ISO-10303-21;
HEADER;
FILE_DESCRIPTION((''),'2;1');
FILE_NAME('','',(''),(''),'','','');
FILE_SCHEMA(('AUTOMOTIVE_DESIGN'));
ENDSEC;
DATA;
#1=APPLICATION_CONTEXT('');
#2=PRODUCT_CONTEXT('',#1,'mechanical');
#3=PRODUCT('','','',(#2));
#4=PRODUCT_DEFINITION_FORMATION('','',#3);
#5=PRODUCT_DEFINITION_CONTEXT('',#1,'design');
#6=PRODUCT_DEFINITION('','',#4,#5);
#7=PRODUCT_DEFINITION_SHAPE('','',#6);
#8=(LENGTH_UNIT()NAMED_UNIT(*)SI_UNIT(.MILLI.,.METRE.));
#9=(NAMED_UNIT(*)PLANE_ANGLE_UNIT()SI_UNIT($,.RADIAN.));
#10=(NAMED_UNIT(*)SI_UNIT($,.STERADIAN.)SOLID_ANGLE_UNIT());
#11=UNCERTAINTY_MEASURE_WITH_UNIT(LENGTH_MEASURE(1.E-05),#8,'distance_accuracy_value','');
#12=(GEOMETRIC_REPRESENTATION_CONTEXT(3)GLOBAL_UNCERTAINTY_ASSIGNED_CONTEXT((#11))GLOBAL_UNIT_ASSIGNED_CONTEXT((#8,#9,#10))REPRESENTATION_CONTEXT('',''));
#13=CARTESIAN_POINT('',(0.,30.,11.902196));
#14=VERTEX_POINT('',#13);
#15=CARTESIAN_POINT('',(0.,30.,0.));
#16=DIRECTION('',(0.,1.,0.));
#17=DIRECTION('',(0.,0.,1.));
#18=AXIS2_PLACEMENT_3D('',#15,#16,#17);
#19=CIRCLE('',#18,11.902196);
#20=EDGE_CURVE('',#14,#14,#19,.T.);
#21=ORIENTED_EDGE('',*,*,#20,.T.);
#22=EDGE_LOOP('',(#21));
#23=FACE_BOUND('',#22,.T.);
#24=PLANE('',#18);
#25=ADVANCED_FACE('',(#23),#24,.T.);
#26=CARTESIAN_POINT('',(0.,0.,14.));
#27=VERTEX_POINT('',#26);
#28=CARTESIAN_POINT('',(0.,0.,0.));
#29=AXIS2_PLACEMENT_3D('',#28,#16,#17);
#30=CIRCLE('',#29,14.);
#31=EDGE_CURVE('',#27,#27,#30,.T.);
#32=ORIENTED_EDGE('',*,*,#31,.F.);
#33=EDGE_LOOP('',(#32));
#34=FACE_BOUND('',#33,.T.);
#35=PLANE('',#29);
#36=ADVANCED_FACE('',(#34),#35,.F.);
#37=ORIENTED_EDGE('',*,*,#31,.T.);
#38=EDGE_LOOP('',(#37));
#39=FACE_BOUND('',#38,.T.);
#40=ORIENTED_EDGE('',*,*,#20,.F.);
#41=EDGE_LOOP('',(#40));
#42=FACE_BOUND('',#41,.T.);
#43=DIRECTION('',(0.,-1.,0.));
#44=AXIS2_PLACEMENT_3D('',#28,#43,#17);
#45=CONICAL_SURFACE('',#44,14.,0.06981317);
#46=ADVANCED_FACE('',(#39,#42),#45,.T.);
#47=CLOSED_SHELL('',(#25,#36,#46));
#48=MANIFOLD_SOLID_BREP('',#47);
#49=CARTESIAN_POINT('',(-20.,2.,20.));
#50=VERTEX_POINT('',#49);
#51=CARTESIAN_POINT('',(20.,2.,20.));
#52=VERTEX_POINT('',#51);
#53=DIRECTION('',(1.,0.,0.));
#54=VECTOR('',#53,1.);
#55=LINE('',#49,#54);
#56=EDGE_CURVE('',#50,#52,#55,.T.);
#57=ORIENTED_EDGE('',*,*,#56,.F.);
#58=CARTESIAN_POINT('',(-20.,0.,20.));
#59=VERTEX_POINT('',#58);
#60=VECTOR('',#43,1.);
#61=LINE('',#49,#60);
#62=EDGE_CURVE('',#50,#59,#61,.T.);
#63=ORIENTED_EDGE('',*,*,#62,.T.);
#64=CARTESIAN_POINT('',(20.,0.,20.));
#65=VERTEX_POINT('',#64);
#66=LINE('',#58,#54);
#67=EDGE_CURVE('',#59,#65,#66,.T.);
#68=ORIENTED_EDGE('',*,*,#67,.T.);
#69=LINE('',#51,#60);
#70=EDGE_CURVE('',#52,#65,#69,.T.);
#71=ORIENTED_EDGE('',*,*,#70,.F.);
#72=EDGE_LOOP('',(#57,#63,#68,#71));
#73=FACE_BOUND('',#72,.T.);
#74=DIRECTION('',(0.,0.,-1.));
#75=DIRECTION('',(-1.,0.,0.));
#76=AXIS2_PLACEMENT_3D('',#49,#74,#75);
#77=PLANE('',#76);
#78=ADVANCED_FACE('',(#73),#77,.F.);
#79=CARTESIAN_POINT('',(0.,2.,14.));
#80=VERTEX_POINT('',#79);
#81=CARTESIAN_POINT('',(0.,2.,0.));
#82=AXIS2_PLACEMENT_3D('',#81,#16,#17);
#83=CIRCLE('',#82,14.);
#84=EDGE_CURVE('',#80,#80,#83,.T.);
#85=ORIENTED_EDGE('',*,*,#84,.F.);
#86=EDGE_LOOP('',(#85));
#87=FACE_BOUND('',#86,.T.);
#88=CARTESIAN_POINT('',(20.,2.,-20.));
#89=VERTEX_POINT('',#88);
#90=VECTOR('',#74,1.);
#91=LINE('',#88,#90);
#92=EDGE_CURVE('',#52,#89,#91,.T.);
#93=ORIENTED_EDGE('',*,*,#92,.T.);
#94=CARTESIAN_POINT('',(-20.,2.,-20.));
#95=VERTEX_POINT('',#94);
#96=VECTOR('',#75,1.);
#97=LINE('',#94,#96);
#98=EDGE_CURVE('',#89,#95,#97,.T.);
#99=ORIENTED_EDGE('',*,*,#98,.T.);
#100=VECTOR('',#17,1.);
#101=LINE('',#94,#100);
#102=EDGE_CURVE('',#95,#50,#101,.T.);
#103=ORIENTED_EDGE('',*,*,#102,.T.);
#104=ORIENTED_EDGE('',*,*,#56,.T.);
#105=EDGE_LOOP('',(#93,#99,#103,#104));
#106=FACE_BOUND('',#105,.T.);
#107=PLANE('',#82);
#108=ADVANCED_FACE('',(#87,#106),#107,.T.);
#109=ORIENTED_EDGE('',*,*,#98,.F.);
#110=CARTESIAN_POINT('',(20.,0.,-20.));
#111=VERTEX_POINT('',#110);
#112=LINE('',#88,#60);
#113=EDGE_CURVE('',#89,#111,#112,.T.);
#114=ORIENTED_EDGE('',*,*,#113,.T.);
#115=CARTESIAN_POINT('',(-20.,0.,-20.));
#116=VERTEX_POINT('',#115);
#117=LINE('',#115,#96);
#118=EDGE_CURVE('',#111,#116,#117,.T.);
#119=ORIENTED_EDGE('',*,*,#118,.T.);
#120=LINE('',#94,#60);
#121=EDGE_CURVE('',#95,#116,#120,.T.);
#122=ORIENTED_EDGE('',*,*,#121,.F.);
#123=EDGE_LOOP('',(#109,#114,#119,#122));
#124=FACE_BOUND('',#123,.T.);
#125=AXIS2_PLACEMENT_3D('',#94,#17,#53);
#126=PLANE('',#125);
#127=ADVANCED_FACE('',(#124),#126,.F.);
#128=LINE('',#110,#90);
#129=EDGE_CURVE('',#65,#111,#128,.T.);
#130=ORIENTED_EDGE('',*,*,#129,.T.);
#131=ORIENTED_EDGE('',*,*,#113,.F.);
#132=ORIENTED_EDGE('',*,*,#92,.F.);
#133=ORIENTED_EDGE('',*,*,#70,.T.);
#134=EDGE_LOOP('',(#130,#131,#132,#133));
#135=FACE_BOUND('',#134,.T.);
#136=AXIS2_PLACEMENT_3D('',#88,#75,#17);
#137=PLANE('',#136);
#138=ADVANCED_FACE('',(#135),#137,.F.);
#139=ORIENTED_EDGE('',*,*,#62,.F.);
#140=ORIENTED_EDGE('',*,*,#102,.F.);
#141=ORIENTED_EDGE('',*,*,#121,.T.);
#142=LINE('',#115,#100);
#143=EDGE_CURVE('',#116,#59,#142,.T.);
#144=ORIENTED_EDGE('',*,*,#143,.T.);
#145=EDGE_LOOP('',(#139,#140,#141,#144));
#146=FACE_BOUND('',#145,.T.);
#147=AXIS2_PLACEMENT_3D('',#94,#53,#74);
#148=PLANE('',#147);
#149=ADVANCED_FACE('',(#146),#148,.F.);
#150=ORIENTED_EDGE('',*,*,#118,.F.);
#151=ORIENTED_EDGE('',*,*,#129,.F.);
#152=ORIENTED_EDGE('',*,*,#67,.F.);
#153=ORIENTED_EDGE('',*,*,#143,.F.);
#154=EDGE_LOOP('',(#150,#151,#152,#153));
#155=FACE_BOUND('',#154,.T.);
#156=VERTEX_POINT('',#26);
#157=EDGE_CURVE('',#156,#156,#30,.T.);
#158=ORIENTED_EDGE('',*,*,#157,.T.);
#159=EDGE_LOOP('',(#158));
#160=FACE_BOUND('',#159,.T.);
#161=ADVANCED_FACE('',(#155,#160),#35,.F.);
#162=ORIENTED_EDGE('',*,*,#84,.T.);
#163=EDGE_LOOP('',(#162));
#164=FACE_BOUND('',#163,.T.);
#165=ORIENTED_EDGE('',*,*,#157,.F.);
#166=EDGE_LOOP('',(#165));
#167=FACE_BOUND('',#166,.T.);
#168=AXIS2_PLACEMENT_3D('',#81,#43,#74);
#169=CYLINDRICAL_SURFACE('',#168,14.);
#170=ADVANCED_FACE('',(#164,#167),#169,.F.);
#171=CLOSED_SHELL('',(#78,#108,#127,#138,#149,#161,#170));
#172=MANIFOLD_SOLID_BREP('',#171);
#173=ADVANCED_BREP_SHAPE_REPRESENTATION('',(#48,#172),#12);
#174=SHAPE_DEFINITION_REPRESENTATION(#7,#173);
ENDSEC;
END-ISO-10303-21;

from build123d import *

# Parameters (mm, degrees)
SKETCH1_R           = 14
BOSS_EXTRUDE1_DEPTH = 30
BOSS_EXTRUDE1_TAPER = 4
SKETCH1_3_W         = 40
SKETCH1_3_H         = 40
SKETCH1_3_R         = 14
BOSS_EXTRUDE2_DEPTH = 2


with BuildPart() as part:
    # Sketch1 → Boss-Extrude1 (new body)
    with BuildSketch(Plane(origin=(0, 0, 0), x_dir=(1, 0, 0), z_dir=(0, 1, 0))):
        Circle(SKETCH1_R)
    extrude(amount=BOSS_EXTRUDE1_DEPTH, taper=BOSS_EXTRUDE1_TAPER)


with BuildPart() as body_2:
    # Sketch1<3> → Boss-Extrude2 (new body)
    with BuildSketch(Plane(origin=(0, 0, 0), x_dir=(1, 0, 0), z_dir=(0, 1, 0))):
        Rectangle(SKETCH1_3_W, SKETCH1_3_H)
        Circle(SKETCH1_3_R, mode=Mode.SUBTRACT)
    extrude(amount=BOSS_EXTRUDE2_DEPTH)


solid = Compound([part.part, body_2.part])
